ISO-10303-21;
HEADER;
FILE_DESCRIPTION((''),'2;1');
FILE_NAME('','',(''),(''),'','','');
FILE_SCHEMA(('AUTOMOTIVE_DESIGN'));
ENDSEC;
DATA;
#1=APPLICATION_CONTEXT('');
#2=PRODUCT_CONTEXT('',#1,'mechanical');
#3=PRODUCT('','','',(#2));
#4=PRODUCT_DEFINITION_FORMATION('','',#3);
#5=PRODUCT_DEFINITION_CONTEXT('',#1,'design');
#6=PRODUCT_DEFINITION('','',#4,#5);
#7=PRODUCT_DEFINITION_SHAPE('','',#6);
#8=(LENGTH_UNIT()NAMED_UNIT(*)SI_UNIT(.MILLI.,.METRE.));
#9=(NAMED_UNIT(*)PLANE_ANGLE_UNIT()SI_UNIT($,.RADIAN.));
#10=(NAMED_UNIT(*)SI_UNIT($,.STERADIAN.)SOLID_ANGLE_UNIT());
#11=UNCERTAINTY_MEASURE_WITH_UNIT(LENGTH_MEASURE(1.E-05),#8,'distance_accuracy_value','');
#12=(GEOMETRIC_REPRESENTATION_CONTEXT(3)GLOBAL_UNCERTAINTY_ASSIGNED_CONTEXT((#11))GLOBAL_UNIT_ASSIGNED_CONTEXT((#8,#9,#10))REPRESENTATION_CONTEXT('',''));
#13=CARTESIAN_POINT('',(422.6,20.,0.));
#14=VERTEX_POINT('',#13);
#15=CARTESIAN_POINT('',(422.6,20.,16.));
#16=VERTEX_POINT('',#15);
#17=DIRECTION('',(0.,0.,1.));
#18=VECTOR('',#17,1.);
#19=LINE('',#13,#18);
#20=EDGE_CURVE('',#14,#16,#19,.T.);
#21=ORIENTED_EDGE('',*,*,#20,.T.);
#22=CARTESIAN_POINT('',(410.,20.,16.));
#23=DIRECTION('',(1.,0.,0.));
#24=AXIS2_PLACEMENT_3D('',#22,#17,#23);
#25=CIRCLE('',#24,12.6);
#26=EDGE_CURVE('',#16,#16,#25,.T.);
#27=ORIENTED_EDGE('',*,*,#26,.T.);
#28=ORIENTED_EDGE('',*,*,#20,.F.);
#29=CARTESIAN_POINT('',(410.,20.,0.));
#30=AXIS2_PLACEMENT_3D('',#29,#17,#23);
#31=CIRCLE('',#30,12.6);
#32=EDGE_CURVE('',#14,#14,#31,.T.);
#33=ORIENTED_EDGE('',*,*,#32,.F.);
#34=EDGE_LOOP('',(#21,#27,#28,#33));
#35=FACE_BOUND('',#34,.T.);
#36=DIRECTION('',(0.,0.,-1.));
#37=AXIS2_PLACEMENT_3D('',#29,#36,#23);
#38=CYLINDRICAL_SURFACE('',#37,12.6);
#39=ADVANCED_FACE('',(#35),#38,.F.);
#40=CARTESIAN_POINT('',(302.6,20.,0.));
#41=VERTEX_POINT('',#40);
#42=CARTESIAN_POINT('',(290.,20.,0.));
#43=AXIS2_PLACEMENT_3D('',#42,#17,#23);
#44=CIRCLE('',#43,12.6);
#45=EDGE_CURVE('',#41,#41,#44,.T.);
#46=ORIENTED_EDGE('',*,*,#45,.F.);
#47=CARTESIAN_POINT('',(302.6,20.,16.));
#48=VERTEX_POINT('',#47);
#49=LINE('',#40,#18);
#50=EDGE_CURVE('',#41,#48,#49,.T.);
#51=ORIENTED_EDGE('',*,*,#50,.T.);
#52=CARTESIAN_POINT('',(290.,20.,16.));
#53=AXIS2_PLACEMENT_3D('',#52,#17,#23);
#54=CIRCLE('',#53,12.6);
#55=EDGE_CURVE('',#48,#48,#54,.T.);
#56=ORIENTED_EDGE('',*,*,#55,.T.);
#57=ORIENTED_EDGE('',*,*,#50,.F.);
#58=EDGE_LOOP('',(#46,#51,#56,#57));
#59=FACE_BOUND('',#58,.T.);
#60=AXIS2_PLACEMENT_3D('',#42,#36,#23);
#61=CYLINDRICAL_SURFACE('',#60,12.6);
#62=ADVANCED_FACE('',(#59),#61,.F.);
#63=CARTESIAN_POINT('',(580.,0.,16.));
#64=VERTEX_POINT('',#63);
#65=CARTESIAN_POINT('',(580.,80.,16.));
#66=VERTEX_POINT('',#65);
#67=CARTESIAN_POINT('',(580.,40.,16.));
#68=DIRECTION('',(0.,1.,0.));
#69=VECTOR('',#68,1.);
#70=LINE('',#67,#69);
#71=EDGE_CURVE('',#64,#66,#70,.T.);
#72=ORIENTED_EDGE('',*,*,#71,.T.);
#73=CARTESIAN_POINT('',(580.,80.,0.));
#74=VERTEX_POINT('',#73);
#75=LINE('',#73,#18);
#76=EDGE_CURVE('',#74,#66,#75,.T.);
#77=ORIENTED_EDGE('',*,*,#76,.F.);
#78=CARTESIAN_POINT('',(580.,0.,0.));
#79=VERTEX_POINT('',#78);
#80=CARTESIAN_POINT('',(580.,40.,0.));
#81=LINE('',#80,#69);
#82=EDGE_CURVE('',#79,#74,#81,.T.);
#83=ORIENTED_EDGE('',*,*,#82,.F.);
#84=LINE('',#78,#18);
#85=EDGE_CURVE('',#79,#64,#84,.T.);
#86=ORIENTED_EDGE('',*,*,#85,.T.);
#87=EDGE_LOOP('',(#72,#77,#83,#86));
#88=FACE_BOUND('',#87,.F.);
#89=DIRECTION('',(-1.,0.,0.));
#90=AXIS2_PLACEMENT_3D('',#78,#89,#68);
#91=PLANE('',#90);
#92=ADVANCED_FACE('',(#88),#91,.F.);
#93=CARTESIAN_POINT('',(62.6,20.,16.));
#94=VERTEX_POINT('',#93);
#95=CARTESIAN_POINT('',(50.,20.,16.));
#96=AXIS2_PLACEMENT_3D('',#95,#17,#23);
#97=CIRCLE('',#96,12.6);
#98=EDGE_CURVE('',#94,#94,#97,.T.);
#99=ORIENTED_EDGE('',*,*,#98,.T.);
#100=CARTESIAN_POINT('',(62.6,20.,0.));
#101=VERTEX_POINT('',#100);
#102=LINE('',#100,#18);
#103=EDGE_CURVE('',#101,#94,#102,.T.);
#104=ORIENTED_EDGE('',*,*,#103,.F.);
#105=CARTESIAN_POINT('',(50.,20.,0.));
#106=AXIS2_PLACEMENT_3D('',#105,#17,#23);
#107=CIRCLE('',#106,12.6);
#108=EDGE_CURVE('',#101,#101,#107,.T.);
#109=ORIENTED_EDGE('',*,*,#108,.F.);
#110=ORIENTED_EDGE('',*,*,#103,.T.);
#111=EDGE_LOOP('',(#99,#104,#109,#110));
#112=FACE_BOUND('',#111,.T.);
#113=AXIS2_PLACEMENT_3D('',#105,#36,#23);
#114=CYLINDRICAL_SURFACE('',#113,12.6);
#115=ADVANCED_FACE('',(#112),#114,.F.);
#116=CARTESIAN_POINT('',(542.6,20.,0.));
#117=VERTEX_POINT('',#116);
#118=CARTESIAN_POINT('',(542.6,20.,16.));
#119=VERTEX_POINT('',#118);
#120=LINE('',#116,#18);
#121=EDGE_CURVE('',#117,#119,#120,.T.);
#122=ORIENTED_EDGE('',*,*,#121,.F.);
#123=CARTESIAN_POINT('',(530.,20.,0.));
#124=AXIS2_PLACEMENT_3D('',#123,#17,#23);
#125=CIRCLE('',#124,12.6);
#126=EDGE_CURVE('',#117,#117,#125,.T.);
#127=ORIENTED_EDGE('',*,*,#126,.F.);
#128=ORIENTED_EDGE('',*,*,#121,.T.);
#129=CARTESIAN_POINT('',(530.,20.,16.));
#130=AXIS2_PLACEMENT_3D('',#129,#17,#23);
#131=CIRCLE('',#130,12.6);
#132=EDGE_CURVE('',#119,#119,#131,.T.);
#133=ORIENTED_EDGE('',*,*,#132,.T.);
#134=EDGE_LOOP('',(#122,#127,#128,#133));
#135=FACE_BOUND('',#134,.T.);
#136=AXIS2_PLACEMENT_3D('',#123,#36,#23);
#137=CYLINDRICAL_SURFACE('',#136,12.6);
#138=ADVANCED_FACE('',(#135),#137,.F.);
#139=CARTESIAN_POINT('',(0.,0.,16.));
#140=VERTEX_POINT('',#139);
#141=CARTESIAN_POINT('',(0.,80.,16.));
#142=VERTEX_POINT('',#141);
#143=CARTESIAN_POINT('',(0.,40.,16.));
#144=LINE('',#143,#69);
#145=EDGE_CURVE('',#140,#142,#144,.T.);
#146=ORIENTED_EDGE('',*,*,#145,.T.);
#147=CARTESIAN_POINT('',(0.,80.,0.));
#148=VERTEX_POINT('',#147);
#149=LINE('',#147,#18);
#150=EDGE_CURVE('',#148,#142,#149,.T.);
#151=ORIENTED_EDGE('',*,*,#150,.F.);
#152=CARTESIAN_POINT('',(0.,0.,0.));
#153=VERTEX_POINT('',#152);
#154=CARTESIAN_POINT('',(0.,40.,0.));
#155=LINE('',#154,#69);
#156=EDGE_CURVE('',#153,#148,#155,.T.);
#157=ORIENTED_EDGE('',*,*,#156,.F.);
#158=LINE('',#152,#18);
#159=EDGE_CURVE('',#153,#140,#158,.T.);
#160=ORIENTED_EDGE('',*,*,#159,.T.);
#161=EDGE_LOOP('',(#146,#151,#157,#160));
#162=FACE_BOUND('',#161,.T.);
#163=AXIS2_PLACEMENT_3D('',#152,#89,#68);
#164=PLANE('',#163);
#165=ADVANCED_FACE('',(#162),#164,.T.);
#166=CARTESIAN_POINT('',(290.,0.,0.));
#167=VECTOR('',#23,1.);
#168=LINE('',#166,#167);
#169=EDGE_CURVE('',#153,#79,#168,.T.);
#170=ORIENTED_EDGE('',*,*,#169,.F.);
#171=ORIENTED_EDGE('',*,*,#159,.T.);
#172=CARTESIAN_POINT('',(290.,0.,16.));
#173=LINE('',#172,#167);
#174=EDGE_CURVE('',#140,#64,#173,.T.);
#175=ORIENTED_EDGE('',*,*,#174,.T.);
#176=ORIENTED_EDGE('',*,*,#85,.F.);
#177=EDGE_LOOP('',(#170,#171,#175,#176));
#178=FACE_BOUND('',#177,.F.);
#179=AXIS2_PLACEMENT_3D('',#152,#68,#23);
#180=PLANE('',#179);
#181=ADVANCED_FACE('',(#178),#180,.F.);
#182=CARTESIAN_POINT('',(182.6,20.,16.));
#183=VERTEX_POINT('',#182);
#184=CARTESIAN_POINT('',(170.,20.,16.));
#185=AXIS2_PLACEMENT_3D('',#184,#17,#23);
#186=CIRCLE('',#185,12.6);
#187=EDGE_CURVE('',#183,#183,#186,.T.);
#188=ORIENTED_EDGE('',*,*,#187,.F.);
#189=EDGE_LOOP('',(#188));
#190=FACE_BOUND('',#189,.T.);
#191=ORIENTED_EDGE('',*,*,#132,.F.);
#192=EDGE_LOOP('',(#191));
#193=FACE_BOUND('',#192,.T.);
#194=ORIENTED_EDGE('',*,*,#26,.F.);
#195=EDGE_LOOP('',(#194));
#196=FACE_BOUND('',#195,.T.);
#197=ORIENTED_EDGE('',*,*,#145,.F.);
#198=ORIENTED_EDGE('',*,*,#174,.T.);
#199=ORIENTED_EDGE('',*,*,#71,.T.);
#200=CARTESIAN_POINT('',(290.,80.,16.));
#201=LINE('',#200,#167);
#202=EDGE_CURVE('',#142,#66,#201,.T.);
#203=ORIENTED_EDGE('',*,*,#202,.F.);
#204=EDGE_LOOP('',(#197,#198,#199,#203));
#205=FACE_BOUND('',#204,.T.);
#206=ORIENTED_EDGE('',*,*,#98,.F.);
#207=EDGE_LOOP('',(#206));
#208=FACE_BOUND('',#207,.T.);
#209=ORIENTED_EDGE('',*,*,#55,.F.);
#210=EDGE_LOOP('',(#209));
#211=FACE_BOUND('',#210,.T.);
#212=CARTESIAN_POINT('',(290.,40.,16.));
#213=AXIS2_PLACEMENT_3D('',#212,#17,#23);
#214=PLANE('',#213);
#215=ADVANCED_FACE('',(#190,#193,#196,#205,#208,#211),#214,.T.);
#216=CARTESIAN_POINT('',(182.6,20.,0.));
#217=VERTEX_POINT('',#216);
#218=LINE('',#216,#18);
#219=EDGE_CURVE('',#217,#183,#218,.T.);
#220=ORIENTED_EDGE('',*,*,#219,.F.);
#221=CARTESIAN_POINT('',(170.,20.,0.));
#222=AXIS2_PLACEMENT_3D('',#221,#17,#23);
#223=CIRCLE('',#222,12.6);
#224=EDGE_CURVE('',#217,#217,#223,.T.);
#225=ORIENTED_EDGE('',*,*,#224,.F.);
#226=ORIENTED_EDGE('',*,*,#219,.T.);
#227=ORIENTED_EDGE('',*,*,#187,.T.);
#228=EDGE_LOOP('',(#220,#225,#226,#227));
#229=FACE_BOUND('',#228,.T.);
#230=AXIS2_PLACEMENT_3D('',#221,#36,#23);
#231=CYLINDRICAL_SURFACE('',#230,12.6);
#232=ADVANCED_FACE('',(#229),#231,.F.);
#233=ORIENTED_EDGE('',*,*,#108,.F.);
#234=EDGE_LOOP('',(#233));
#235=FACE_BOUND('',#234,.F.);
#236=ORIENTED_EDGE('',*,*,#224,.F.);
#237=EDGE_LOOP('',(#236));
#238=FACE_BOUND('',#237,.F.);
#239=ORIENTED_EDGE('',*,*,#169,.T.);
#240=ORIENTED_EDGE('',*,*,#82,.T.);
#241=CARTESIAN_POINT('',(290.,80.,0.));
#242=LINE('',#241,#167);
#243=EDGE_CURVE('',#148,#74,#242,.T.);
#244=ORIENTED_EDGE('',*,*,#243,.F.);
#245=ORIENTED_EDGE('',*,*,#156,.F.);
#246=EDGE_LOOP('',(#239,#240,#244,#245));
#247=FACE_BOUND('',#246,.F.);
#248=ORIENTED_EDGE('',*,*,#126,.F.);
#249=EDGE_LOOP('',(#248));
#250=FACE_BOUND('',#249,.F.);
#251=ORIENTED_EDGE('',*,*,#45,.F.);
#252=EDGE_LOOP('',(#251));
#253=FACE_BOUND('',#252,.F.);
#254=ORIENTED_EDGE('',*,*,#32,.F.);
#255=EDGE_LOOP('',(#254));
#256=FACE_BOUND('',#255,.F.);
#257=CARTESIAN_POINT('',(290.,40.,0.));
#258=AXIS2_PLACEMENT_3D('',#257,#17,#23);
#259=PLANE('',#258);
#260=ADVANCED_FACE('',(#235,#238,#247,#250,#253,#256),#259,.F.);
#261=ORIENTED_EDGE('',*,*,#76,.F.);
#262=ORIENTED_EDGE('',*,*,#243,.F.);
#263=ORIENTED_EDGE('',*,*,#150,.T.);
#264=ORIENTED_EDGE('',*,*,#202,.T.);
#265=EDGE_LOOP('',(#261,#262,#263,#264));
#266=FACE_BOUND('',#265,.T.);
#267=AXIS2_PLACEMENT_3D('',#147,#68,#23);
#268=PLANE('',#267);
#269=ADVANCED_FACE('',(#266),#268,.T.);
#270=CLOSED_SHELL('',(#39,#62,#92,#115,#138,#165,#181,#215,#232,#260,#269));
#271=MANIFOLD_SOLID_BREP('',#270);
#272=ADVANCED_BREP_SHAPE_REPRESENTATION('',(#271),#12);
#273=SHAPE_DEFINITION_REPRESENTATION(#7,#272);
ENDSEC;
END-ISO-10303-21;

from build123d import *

# Parameters (mm, degrees)
SKETCH1_W           = 580
SKETCH1_H           = 80
SKETCH1_R           = 12.6
BOSS_EXTRUDE1_DEPTH = 16


with BuildPart() as part:
    # Sketch1 → Boss-Extrude1 (new body)
    with BuildSketch(Plane.XY):
        with Locations((290, 40)):
            Rectangle(SKETCH1_W, SKETCH1_H)
        with Locations((50, 20)):
            Circle(SKETCH1_R, mode=Mode.SUBTRACT)
        with Locations((170, 20)):
            Circle(SKETCH1_R, mode=Mode.SUBTRACT)
        with Locations((410, 20)):
            Circle(SKETCH1_R, mode=Mode.SUBTRACT)
        with Locations((290, 20)):
            Circle(SKETCH1_R, mode=Mode.SUBTRACT)
        with Locations((530, 20)):
            Circle(SKETCH1_R, mode=Mode.SUBTRACT)
    extrude(amount=BOSS_EXTRUDE1_DEPTH)


solid = part.part
